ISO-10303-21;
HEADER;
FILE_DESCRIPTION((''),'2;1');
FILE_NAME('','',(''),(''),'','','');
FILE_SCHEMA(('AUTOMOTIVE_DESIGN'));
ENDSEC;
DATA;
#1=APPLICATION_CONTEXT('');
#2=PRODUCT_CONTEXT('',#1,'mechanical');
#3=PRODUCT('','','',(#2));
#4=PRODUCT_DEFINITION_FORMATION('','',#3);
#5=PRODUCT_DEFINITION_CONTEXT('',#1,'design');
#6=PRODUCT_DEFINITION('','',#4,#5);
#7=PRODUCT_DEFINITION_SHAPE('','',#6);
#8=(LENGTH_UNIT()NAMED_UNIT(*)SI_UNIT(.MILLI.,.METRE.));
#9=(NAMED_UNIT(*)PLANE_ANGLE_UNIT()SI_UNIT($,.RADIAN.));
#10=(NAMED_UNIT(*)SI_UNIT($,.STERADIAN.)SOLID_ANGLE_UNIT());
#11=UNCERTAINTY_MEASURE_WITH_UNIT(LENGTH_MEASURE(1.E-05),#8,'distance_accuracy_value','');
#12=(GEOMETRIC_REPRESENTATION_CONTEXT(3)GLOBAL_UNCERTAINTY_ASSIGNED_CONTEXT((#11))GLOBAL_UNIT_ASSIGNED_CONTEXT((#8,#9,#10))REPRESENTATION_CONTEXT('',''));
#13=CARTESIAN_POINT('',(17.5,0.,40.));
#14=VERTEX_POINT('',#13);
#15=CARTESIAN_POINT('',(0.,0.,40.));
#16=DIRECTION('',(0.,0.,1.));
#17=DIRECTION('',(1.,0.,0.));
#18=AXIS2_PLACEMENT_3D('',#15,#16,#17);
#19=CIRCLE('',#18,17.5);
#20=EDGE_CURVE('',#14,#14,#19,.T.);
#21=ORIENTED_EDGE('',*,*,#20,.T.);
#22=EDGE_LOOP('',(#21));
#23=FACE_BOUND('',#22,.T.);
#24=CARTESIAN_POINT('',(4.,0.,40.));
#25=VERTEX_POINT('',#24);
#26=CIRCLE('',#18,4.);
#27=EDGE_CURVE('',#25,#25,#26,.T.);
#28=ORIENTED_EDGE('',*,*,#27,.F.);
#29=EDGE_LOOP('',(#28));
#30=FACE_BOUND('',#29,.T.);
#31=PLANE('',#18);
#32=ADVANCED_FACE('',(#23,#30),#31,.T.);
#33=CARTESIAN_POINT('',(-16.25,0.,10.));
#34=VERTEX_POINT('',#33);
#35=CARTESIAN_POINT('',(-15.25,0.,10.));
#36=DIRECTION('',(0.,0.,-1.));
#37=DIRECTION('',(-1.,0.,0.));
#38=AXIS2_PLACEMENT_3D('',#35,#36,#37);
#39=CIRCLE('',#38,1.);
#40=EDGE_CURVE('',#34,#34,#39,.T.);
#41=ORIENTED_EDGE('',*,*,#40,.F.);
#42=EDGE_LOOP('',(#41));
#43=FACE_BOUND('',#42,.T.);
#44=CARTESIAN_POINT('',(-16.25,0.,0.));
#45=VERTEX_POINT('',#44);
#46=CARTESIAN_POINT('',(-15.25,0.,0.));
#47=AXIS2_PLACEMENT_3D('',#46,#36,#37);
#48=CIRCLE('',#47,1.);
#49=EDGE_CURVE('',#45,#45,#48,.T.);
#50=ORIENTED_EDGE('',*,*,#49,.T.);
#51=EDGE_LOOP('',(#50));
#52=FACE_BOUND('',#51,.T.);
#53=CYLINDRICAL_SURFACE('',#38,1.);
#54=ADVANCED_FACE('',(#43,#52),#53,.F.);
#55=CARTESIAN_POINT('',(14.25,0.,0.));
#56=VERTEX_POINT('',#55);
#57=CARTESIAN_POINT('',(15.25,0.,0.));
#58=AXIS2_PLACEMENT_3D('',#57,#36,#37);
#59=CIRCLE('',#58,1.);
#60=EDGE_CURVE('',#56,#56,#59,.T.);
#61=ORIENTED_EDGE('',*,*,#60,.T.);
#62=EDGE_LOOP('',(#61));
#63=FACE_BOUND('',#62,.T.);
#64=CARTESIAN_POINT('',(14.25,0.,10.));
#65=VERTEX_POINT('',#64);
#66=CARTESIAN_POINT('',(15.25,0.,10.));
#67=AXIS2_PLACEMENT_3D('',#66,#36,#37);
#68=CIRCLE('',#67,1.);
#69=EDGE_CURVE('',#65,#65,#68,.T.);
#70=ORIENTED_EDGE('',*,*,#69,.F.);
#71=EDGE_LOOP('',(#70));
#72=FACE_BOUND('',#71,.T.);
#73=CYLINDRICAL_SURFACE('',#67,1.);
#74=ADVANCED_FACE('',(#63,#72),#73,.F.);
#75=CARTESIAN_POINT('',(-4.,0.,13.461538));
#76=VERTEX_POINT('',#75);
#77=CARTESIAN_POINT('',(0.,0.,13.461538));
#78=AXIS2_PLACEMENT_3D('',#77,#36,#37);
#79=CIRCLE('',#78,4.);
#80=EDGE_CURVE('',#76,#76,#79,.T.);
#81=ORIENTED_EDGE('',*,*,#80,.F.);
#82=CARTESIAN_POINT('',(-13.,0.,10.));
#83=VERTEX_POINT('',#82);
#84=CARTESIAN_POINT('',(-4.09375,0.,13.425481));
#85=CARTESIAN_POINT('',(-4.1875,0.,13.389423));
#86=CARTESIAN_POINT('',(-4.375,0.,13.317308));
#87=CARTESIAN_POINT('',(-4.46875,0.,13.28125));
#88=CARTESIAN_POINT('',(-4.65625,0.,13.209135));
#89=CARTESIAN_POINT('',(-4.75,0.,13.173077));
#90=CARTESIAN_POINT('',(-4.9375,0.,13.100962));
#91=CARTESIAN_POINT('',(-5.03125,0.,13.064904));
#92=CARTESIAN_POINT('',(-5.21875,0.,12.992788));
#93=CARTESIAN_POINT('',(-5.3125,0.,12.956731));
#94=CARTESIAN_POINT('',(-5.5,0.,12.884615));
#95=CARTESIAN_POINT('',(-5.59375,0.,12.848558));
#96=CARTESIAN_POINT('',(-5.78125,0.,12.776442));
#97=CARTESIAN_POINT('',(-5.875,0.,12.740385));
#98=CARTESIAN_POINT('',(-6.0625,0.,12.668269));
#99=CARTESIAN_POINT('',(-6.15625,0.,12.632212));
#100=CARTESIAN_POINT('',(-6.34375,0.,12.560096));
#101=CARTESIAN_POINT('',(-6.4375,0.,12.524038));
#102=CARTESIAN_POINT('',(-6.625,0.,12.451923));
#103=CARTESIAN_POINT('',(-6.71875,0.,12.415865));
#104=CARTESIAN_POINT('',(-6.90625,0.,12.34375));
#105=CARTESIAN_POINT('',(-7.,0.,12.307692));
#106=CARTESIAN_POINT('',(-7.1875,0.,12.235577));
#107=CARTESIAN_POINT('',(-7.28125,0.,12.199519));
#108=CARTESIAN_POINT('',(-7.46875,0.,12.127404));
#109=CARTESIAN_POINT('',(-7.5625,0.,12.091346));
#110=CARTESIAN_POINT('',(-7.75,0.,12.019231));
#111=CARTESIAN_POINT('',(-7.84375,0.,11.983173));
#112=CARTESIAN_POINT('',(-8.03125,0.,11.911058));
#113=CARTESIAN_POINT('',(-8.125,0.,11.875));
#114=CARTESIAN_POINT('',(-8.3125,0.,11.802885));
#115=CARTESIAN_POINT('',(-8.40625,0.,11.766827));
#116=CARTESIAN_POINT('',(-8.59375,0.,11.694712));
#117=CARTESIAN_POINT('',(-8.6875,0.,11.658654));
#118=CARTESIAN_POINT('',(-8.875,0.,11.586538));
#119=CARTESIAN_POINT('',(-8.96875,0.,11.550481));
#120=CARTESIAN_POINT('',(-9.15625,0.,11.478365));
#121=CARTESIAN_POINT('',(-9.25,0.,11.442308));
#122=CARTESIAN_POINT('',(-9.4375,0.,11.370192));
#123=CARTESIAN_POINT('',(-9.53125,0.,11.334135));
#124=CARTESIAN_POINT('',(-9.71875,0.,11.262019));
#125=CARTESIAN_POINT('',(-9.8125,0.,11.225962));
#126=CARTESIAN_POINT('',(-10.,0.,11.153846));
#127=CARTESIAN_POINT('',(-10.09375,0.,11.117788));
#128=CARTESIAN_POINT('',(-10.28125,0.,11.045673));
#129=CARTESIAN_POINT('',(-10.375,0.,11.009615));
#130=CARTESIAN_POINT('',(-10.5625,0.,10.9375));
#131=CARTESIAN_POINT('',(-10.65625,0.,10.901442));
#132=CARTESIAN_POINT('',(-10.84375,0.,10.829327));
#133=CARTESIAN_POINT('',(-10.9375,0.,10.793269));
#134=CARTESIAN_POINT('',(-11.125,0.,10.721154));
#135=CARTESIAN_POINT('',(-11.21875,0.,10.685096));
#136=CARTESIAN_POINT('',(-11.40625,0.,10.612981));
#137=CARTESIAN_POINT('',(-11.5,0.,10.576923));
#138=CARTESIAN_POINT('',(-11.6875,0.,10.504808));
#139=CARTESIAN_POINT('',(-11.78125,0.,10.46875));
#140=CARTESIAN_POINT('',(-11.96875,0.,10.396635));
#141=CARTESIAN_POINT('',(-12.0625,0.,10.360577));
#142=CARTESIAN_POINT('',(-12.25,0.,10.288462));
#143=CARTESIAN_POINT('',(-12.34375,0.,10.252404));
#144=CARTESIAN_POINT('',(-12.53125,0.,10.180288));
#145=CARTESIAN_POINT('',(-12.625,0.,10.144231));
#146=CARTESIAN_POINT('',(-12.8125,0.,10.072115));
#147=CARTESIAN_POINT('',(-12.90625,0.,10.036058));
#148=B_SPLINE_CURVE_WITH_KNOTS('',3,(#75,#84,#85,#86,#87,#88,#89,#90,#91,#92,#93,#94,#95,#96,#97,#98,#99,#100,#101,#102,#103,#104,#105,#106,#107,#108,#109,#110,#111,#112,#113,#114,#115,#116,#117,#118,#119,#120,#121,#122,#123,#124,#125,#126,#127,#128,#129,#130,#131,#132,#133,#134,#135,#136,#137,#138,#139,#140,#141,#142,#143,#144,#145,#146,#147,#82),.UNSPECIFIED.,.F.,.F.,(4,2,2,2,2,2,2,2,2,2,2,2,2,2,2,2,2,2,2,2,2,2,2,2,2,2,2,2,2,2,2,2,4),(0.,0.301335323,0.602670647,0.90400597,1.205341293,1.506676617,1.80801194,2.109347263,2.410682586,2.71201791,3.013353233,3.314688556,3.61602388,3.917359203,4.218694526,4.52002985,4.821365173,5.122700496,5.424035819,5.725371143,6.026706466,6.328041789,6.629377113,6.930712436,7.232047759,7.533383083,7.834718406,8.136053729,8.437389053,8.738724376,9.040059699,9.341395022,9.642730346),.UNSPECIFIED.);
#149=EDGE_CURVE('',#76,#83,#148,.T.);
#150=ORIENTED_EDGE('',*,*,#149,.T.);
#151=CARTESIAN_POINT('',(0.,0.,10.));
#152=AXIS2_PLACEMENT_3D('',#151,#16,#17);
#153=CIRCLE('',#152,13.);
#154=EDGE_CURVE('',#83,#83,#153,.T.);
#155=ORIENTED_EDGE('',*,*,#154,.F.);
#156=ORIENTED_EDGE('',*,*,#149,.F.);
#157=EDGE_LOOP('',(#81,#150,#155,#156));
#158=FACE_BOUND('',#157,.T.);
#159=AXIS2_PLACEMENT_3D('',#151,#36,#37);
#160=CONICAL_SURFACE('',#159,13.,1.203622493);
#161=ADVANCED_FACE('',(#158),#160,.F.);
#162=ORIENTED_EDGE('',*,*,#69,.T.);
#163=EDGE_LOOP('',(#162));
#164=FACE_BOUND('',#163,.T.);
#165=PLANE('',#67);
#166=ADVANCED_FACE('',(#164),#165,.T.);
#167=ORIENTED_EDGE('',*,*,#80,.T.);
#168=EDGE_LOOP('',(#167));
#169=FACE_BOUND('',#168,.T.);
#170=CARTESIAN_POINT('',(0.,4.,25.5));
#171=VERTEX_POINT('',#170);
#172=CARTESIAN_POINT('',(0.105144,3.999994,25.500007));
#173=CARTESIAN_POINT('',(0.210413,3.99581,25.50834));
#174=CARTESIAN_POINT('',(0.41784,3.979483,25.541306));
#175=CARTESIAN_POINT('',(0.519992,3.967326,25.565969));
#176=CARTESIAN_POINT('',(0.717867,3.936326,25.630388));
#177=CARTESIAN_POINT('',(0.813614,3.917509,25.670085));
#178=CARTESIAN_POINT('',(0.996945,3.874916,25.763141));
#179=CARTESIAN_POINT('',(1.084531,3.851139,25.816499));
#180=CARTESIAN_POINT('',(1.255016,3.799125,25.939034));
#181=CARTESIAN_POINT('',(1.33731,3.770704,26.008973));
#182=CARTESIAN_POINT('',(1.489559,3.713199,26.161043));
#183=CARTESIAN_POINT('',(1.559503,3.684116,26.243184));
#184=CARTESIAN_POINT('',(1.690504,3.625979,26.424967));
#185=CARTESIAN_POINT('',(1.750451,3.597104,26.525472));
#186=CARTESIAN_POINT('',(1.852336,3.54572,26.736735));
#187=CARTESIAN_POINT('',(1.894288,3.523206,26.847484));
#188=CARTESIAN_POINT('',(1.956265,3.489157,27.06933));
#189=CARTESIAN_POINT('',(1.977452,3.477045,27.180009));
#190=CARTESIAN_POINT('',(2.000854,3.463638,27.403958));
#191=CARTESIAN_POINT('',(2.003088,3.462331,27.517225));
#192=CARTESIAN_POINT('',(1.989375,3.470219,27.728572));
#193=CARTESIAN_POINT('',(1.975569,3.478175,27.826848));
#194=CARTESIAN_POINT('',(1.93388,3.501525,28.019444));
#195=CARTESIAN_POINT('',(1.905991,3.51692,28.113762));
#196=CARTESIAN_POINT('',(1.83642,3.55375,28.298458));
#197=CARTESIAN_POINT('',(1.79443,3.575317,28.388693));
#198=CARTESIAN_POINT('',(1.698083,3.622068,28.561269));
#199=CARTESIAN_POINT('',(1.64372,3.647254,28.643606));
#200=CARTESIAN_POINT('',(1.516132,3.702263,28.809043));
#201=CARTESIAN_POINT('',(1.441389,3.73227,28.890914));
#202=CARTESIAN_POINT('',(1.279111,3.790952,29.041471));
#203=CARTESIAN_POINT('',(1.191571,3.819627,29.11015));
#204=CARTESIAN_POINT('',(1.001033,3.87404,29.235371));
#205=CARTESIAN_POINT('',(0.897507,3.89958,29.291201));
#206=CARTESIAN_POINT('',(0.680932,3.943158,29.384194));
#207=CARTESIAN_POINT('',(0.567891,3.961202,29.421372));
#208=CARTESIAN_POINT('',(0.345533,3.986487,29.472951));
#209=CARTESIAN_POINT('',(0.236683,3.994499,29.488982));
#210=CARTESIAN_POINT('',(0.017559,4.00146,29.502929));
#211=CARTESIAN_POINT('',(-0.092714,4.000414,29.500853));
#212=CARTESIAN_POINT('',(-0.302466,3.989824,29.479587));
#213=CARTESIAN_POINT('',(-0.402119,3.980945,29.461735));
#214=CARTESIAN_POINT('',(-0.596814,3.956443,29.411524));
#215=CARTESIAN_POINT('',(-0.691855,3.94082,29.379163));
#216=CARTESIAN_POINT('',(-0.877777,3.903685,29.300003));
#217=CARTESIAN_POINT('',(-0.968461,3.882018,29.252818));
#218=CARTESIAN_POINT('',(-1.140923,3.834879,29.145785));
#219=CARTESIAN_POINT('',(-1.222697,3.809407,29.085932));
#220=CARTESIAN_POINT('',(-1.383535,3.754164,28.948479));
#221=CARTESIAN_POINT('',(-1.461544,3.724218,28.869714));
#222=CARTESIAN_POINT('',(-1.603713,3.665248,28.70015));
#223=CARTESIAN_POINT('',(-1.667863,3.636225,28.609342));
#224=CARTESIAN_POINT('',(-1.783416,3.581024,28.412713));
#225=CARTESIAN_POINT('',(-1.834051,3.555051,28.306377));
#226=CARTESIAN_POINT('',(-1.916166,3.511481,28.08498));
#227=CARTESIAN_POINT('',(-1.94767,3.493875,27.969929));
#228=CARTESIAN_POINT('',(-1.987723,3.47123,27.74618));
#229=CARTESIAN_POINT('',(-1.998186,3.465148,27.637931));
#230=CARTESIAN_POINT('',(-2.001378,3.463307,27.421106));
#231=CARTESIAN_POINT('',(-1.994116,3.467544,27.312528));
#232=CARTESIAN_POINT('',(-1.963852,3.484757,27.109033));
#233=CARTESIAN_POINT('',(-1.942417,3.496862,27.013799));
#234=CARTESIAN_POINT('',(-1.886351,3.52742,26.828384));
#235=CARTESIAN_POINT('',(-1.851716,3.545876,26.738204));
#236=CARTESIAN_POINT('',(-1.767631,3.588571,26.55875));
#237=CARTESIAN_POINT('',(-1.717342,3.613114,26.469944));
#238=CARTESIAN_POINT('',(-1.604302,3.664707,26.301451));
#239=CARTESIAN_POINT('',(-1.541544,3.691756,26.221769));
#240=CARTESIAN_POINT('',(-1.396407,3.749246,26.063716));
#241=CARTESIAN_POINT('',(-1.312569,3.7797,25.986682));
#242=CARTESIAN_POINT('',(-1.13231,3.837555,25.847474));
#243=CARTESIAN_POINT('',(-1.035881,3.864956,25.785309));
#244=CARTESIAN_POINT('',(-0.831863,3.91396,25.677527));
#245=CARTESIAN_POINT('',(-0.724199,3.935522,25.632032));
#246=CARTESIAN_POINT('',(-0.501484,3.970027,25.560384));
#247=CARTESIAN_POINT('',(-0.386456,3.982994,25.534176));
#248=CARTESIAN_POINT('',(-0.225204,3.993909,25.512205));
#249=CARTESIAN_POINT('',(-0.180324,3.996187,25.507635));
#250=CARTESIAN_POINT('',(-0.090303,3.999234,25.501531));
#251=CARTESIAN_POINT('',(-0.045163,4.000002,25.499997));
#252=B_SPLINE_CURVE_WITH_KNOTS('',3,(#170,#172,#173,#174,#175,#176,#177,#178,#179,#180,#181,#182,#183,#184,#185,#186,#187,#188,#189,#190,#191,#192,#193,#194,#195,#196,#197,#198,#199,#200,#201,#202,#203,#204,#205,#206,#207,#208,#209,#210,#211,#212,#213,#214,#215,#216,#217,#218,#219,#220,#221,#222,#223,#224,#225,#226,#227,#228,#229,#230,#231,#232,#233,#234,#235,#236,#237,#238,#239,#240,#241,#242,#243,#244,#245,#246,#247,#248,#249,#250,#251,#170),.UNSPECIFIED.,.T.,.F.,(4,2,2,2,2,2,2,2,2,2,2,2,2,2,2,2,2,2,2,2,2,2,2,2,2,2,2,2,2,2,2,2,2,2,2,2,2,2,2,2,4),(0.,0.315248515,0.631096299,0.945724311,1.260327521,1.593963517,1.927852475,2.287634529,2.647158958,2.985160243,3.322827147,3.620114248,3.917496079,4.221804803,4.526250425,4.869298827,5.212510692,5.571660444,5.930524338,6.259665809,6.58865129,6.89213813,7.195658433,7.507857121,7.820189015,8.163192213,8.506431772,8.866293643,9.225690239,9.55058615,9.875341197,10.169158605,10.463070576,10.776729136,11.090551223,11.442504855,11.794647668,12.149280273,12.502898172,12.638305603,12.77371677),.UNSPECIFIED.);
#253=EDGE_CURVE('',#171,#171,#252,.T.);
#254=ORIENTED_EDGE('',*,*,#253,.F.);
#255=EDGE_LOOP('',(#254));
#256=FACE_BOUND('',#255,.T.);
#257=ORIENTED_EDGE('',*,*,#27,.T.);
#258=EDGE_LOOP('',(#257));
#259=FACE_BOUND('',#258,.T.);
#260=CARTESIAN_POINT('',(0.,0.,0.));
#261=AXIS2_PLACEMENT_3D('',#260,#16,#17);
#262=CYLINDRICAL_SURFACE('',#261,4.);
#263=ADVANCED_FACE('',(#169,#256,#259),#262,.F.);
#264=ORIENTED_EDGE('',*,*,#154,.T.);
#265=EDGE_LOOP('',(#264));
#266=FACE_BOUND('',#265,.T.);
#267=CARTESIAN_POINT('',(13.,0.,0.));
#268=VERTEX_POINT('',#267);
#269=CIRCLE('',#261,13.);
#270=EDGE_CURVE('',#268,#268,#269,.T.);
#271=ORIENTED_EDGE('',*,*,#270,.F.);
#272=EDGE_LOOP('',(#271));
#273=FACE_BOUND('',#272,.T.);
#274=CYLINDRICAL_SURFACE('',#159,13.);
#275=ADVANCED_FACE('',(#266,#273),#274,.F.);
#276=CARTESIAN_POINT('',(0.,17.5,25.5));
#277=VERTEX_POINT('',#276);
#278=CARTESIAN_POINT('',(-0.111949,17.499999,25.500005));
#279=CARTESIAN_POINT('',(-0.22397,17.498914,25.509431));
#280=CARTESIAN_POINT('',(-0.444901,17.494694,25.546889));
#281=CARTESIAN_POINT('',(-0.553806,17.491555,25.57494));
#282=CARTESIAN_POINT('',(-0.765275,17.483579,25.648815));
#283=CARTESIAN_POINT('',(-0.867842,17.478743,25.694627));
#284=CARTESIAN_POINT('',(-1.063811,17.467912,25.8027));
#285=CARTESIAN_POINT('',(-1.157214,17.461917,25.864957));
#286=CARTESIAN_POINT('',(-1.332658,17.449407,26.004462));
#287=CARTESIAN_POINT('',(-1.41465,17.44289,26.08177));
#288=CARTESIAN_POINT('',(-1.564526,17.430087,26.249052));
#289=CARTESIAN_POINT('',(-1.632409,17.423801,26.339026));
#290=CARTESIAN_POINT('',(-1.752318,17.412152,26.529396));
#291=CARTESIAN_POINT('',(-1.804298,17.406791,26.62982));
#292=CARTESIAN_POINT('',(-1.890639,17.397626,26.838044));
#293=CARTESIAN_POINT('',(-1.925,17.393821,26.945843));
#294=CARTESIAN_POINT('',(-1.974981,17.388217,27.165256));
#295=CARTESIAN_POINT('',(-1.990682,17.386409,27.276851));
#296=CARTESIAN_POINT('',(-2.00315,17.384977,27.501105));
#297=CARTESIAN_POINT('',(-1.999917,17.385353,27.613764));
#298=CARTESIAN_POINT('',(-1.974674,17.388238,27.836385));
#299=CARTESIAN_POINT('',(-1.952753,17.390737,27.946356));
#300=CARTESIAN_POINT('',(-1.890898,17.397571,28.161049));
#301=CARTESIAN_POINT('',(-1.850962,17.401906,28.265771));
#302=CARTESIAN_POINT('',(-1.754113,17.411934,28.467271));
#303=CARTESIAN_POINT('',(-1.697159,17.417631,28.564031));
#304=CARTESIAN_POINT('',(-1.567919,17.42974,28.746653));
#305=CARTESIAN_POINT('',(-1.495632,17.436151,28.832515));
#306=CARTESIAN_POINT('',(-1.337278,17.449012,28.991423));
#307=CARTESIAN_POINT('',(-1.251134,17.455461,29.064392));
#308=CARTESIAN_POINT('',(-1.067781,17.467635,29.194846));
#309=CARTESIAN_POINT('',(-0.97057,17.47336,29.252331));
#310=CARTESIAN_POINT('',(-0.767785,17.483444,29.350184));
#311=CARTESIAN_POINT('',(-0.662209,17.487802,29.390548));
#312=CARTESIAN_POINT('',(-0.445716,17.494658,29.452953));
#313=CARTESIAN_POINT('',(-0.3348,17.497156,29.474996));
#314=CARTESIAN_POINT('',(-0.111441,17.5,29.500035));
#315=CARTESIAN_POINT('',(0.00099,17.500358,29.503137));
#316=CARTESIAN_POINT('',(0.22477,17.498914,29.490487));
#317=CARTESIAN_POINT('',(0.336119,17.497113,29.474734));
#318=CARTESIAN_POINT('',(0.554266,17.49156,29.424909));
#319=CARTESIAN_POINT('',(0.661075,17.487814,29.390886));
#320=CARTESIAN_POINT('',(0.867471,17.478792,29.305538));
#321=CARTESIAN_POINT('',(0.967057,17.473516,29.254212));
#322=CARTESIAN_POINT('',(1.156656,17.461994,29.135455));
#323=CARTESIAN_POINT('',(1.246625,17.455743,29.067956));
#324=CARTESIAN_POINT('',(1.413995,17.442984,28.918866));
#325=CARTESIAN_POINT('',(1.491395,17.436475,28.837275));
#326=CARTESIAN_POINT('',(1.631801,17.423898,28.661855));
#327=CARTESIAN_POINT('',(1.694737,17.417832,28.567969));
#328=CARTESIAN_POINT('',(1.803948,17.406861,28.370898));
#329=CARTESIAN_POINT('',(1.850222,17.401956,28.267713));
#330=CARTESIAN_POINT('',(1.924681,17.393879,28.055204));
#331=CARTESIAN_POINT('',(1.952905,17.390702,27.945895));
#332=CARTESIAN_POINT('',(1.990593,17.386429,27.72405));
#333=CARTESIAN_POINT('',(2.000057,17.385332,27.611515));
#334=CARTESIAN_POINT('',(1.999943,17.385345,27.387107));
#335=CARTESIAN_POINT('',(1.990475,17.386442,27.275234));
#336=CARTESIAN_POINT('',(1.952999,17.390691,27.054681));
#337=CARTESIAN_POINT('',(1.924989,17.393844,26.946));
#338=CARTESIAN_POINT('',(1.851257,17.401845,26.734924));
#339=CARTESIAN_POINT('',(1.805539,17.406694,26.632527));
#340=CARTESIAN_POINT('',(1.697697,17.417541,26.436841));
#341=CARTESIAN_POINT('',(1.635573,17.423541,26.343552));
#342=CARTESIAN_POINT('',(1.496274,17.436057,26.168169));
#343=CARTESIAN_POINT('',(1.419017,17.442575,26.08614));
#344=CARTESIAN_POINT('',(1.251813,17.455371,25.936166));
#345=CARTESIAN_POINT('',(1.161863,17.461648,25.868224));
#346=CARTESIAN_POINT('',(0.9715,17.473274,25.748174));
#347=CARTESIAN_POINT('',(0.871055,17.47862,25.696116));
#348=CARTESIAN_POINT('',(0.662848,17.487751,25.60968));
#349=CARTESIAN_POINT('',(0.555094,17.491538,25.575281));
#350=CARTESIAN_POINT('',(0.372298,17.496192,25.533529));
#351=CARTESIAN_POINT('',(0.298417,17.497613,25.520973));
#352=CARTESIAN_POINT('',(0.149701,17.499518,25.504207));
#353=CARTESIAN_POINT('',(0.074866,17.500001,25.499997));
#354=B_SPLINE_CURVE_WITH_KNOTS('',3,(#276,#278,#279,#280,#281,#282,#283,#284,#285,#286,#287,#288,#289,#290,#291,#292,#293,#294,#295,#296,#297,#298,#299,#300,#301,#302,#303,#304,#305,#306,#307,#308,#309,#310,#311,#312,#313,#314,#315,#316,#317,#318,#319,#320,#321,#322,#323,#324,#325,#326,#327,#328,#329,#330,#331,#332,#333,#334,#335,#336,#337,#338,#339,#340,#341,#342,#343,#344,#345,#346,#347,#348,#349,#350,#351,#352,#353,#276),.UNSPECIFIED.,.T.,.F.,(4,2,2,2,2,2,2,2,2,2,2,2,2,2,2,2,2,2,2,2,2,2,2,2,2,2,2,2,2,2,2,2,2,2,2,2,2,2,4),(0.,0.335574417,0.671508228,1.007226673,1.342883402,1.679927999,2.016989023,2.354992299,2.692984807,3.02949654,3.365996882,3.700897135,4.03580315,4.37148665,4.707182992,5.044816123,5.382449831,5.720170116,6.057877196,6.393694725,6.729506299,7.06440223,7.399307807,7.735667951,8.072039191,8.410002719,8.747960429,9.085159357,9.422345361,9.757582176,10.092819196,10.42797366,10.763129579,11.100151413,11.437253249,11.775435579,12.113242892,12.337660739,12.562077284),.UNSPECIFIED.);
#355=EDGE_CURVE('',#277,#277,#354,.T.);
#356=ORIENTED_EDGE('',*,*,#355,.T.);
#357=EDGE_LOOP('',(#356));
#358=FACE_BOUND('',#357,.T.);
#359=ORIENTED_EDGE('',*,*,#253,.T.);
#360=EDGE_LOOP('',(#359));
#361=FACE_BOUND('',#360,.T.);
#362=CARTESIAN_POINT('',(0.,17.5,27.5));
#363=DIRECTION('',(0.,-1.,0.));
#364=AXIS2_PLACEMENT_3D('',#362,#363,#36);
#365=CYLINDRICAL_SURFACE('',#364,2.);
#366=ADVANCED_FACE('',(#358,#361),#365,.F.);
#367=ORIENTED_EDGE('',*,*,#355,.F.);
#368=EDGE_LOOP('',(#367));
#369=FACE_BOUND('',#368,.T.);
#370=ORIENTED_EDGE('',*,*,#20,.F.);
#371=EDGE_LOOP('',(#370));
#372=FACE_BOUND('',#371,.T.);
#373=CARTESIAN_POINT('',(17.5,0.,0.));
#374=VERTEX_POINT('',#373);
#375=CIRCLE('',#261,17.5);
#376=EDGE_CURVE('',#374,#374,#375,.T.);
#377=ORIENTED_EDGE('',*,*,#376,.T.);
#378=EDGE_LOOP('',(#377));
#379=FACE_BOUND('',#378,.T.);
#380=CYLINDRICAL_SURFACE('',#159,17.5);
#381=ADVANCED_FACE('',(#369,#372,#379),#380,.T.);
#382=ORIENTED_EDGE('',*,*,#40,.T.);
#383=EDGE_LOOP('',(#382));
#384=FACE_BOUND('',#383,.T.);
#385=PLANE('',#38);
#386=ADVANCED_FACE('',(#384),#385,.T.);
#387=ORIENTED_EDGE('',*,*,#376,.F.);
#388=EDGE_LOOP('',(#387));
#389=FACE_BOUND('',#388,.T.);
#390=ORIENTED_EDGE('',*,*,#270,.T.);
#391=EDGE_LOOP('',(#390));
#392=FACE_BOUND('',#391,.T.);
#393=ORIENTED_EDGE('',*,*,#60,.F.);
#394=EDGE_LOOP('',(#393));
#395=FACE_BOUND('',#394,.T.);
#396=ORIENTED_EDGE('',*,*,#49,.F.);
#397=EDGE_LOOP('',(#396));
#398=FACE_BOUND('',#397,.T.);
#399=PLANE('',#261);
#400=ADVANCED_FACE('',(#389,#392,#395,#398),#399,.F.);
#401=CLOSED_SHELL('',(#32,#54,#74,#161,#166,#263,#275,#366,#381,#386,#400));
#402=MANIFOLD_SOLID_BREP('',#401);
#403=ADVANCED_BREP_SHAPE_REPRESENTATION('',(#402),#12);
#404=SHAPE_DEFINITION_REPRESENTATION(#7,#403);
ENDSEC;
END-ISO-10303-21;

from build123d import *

# Parameters (mm, degrees)
CROQUIS1_R              = 17.5
CROQUIS1_R_2            = 13
SALIENTE_EXTRUIR1_DEPTH = 10
CROQUIS2_R              = 17.5
SALIENTE_EXTRUIR2_DEPTH = 30
CROQUIS12_R             = 4
CORTAR_EXTRUIR1_DEPTH   = 48.037219306
CROQUIS13_R             = 1
CORTAR_EXTRUIR2_DEPTH   = 10
CROQUIS14_R             = 2
CORTAR_EXTRUIR3_DEPTH   = 48.037219306


with BuildPart() as part:
    # Croquis1 → Saliente-Extruir1 (new body)
    with BuildSketch(Plane.XY):
        Circle(CROQUIS1_R)
        Circle(CROQUIS1_R_2, mode=Mode.SUBTRACT)
    extrude(amount=SALIENTE_EXTRUIR1_DEPTH)

    # Croquis2 → Saliente-Extruir2 (add)
    with BuildSketch(Plane.XY.offset(10)):
        Circle(CROQUIS2_R)
    extrude(amount=SALIENTE_EXTRUIR2_DEPTH)

    # Croquis4 → Cortar-Revolución1 (revolve, cut)
    with BuildSketch(Plane(origin=(0, 0, 0), x_dir=(0, 0, -1), z_dir=(1, 0, 0)), mode=Mode.PRIVATE) as cortar_revoluci_n1_sk:
        Polygon((-10, 0), (-10, 13), (-15, 0), align=None)
    revolve(cortar_revoluci_n1_sk.sketch.rotate(Axis((0, 0, 40), (0, 0, -1)), 270), axis=Axis((0, 0, 40), (0, 0, -1)), mode=Mode.SUBTRACT)

    # Croquis12 → Cortar-Extruir1 (cut, through all)
    with BuildSketch(Plane.XY.offset(40)):
        Circle(CROQUIS12_R)
    extrude(amount=-CORTAR_EXTRUIR1_DEPTH, mode=Mode.SUBTRACT)

    # Croquis13 → Cortar-Extruir2 (cut)
    with BuildSketch(Plane(origin=(0, 0, 0), x_dir=(-1, 0, 0), z_dir=(0, 0, -1))):
        with Locations((-15.25, 0)):
            Circle(CROQUIS13_R)
        with Locations((15.25, 0)):
            Circle(CROQUIS13_R)
    extrude(amount=-CORTAR_EXTRUIR2_DEPTH, mode=Mode.SUBTRACT)

    # Croquis14 → Cortar-Extruir3 (cut, through all)
    with BuildSketch(Plane(origin=(0, 0, 0), x_dir=(1, 0, 0), z_dir=(0, 1, 0))):
        with Locations(Location((0, -27.5, 0), (0, 0, 90))):
            Circle(CROQUIS14_R)
    extrude(amount=CORTAR_EXTRUIR3_DEPTH, mode=Mode.SUBTRACT)


solid = part.part
